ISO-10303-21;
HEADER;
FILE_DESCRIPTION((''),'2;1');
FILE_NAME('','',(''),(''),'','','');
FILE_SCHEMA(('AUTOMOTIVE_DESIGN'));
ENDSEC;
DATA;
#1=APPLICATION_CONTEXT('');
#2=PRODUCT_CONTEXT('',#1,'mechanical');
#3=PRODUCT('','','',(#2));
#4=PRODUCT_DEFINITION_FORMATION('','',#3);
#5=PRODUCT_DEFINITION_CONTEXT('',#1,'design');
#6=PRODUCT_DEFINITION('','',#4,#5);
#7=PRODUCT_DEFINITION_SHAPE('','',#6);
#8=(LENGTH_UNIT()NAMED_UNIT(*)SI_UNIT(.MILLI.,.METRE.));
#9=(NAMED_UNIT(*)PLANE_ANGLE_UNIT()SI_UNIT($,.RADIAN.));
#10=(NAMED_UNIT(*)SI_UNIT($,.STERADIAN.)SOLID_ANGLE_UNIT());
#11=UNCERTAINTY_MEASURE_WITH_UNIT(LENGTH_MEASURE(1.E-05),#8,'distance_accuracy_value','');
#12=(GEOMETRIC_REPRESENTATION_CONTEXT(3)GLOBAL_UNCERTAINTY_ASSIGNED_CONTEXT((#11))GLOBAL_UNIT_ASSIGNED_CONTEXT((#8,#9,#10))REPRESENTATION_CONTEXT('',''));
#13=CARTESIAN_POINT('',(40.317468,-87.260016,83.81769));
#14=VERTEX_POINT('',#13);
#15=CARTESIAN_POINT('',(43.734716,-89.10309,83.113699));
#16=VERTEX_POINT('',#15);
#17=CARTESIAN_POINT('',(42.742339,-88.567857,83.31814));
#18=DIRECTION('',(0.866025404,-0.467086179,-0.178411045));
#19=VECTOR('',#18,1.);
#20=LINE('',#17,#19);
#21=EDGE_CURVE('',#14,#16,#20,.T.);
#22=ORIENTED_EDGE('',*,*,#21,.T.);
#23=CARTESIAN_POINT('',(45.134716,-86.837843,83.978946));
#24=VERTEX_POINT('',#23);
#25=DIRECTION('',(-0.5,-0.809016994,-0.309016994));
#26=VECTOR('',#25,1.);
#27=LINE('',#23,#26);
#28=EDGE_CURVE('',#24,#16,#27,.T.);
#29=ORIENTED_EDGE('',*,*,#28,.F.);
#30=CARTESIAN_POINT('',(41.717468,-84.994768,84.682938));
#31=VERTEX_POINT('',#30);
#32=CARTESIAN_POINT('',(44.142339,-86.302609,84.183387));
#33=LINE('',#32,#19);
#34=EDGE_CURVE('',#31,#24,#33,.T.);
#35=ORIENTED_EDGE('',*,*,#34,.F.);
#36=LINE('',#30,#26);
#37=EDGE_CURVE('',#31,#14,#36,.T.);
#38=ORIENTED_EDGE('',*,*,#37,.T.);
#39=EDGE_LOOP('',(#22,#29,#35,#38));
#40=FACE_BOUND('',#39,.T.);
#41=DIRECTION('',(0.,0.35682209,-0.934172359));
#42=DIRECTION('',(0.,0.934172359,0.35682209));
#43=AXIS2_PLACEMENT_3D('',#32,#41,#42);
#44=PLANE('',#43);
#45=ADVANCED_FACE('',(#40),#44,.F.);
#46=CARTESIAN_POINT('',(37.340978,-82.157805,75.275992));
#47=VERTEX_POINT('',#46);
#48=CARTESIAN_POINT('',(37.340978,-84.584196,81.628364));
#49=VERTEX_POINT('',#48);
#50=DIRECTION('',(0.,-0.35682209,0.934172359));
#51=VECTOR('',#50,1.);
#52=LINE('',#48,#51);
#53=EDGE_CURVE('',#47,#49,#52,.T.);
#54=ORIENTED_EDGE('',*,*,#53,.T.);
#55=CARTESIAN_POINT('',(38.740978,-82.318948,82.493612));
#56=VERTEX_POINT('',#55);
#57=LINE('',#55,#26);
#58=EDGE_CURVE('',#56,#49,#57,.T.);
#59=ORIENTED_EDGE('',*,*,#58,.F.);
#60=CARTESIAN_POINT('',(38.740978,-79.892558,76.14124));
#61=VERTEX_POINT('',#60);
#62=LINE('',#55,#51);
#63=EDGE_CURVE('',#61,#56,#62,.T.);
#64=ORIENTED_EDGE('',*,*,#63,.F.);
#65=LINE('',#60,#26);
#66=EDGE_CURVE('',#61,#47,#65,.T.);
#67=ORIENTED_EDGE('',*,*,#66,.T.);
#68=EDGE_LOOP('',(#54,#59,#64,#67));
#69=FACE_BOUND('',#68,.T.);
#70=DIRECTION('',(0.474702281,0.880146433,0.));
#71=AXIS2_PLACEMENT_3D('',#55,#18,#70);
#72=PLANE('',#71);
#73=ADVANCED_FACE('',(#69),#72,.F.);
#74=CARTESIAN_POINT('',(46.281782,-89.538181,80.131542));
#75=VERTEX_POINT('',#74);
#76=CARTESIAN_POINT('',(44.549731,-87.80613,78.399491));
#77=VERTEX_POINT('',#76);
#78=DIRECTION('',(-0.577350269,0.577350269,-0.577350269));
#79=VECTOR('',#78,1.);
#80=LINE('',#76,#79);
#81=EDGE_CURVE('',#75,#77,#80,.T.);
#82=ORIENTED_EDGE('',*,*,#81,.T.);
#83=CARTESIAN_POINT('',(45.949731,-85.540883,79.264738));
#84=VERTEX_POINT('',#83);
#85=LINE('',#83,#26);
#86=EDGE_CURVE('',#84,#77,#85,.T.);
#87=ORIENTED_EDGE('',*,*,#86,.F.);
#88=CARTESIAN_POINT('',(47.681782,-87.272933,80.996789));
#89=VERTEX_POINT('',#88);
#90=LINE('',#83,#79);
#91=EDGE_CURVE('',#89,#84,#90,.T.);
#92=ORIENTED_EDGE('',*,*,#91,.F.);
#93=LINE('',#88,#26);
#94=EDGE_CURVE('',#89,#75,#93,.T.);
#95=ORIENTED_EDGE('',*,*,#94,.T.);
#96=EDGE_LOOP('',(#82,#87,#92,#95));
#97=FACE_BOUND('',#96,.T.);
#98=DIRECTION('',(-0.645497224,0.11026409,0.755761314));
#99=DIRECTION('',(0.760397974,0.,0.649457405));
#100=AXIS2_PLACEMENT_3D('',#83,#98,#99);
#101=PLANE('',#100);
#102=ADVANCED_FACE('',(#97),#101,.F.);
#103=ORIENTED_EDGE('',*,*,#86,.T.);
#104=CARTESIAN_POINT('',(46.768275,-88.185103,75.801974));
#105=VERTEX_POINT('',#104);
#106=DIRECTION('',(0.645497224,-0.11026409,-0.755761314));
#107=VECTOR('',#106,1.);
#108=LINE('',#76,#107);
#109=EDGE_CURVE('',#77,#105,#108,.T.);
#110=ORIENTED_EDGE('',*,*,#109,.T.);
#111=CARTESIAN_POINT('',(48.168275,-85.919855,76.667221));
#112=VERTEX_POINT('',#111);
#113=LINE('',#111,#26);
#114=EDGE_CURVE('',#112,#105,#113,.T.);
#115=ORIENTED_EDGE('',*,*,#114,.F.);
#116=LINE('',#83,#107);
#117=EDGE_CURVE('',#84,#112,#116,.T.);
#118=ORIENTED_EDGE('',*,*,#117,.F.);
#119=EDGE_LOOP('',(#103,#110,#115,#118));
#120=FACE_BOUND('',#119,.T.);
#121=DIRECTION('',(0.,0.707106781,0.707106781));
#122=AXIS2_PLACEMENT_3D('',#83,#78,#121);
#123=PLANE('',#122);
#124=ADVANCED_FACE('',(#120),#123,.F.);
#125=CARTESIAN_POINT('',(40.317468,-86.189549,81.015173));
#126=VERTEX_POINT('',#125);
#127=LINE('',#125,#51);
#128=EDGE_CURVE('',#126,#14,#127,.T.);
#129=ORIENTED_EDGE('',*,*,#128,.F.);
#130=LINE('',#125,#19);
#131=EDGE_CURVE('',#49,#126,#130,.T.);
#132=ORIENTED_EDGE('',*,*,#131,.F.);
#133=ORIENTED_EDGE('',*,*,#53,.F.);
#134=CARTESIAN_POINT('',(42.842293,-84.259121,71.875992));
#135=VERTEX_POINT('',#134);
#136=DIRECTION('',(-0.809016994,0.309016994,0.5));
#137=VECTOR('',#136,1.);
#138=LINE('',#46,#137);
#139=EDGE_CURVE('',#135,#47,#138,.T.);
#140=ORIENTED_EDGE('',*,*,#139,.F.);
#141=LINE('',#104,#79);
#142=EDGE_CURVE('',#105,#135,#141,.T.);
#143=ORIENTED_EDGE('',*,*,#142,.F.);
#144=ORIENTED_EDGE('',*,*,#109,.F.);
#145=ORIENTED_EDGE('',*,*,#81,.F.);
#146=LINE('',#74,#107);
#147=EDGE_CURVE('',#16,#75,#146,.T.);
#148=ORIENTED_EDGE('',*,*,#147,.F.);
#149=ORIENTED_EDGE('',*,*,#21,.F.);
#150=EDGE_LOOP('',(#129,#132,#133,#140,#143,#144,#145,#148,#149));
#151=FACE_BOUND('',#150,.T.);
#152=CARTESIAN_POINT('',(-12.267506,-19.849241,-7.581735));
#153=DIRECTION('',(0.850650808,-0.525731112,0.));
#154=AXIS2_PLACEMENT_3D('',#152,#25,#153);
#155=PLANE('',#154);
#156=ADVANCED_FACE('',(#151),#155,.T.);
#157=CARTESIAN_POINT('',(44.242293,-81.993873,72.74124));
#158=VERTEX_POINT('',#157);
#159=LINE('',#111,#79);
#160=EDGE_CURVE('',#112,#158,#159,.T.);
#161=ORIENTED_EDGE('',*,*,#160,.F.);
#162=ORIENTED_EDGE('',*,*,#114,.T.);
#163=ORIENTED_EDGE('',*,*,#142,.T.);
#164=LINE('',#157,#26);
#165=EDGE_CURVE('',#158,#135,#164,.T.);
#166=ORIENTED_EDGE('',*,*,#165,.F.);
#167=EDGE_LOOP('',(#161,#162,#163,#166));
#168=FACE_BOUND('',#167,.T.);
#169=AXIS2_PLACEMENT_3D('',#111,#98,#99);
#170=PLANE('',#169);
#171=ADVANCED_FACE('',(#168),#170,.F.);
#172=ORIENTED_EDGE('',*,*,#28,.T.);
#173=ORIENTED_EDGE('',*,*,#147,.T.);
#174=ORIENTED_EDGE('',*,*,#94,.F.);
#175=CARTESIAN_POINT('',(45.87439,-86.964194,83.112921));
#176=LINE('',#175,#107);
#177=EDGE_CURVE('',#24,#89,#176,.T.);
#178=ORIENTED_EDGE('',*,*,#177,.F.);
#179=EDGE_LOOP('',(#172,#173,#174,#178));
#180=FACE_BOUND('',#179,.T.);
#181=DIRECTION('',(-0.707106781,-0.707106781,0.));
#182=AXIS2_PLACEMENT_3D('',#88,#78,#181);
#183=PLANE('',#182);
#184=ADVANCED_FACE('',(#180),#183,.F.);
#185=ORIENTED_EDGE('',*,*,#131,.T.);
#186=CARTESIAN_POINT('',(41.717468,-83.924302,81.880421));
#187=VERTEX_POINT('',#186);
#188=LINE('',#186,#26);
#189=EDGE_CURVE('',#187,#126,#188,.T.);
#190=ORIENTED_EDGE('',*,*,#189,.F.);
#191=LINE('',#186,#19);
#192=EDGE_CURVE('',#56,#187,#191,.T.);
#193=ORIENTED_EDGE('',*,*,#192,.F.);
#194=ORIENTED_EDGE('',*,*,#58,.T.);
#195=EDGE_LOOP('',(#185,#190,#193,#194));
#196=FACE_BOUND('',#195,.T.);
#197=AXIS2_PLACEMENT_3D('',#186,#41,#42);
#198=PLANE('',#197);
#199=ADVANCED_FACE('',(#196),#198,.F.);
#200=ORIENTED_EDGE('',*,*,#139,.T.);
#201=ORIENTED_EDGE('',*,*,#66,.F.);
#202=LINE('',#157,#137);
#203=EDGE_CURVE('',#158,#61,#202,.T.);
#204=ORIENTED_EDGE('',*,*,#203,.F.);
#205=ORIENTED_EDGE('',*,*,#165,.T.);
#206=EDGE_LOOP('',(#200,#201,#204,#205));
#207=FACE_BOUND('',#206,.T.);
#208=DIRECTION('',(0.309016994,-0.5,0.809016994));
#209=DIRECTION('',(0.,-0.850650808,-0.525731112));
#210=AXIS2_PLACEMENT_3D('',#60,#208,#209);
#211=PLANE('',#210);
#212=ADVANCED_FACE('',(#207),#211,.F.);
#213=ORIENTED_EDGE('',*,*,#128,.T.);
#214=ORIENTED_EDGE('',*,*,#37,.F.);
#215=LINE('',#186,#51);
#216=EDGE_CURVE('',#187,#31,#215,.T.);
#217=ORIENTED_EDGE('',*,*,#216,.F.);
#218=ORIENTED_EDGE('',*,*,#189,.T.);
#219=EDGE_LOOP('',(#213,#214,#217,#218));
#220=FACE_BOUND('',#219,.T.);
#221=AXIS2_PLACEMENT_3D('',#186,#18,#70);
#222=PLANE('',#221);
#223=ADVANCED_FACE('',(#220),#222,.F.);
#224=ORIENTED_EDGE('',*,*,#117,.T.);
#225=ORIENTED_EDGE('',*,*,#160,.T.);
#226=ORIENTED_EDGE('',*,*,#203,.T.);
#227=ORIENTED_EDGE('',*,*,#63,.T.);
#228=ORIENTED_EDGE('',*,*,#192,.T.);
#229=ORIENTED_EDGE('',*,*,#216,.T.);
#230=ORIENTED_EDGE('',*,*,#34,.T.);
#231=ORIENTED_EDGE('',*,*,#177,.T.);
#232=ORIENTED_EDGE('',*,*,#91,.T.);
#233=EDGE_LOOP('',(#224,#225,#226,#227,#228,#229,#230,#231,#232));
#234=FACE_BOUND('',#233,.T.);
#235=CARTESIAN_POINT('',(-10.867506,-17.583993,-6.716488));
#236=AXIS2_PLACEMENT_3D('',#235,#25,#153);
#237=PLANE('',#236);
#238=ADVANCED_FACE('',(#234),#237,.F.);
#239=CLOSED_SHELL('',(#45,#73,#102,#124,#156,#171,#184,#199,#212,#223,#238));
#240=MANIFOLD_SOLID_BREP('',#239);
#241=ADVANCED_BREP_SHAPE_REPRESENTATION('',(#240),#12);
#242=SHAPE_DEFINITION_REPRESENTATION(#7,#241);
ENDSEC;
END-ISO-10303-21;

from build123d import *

# Parameters (mm, degrees)
BOSS_EXTRUDE1_DEPTH = 2.8


with BuildPart() as part:
    # Sketch2 → Boss-Extrude1 (new body)
    with BuildSketch(Plane(origin=(-12.267505543, -19.849240926, -7.581735383), x_dir=(0.866025404, -0.467086179, -0.178411045), z_dir=(0.5, 0.809016994, 0.309016994))):
        Polygon((60.719896775, -106.436470809), (57.282942583, -106.436470809), (57.282942583, -99.636470809), (60.459128604, -98.423275703), (63.635314624, -97.210080598), (68.168647957, -102.278501347), (65.606893554, -104.569804142), (67.606893554, -106.805872119), (65.519896775, -108.672538786), (64.665794809, -109.436470809), (63.519896775, -109.436470809), (60.719896775, -109.436470809), align=None)
    extrude(amount=BOSS_EXTRUDE1_DEPTH)


solid = part.part
